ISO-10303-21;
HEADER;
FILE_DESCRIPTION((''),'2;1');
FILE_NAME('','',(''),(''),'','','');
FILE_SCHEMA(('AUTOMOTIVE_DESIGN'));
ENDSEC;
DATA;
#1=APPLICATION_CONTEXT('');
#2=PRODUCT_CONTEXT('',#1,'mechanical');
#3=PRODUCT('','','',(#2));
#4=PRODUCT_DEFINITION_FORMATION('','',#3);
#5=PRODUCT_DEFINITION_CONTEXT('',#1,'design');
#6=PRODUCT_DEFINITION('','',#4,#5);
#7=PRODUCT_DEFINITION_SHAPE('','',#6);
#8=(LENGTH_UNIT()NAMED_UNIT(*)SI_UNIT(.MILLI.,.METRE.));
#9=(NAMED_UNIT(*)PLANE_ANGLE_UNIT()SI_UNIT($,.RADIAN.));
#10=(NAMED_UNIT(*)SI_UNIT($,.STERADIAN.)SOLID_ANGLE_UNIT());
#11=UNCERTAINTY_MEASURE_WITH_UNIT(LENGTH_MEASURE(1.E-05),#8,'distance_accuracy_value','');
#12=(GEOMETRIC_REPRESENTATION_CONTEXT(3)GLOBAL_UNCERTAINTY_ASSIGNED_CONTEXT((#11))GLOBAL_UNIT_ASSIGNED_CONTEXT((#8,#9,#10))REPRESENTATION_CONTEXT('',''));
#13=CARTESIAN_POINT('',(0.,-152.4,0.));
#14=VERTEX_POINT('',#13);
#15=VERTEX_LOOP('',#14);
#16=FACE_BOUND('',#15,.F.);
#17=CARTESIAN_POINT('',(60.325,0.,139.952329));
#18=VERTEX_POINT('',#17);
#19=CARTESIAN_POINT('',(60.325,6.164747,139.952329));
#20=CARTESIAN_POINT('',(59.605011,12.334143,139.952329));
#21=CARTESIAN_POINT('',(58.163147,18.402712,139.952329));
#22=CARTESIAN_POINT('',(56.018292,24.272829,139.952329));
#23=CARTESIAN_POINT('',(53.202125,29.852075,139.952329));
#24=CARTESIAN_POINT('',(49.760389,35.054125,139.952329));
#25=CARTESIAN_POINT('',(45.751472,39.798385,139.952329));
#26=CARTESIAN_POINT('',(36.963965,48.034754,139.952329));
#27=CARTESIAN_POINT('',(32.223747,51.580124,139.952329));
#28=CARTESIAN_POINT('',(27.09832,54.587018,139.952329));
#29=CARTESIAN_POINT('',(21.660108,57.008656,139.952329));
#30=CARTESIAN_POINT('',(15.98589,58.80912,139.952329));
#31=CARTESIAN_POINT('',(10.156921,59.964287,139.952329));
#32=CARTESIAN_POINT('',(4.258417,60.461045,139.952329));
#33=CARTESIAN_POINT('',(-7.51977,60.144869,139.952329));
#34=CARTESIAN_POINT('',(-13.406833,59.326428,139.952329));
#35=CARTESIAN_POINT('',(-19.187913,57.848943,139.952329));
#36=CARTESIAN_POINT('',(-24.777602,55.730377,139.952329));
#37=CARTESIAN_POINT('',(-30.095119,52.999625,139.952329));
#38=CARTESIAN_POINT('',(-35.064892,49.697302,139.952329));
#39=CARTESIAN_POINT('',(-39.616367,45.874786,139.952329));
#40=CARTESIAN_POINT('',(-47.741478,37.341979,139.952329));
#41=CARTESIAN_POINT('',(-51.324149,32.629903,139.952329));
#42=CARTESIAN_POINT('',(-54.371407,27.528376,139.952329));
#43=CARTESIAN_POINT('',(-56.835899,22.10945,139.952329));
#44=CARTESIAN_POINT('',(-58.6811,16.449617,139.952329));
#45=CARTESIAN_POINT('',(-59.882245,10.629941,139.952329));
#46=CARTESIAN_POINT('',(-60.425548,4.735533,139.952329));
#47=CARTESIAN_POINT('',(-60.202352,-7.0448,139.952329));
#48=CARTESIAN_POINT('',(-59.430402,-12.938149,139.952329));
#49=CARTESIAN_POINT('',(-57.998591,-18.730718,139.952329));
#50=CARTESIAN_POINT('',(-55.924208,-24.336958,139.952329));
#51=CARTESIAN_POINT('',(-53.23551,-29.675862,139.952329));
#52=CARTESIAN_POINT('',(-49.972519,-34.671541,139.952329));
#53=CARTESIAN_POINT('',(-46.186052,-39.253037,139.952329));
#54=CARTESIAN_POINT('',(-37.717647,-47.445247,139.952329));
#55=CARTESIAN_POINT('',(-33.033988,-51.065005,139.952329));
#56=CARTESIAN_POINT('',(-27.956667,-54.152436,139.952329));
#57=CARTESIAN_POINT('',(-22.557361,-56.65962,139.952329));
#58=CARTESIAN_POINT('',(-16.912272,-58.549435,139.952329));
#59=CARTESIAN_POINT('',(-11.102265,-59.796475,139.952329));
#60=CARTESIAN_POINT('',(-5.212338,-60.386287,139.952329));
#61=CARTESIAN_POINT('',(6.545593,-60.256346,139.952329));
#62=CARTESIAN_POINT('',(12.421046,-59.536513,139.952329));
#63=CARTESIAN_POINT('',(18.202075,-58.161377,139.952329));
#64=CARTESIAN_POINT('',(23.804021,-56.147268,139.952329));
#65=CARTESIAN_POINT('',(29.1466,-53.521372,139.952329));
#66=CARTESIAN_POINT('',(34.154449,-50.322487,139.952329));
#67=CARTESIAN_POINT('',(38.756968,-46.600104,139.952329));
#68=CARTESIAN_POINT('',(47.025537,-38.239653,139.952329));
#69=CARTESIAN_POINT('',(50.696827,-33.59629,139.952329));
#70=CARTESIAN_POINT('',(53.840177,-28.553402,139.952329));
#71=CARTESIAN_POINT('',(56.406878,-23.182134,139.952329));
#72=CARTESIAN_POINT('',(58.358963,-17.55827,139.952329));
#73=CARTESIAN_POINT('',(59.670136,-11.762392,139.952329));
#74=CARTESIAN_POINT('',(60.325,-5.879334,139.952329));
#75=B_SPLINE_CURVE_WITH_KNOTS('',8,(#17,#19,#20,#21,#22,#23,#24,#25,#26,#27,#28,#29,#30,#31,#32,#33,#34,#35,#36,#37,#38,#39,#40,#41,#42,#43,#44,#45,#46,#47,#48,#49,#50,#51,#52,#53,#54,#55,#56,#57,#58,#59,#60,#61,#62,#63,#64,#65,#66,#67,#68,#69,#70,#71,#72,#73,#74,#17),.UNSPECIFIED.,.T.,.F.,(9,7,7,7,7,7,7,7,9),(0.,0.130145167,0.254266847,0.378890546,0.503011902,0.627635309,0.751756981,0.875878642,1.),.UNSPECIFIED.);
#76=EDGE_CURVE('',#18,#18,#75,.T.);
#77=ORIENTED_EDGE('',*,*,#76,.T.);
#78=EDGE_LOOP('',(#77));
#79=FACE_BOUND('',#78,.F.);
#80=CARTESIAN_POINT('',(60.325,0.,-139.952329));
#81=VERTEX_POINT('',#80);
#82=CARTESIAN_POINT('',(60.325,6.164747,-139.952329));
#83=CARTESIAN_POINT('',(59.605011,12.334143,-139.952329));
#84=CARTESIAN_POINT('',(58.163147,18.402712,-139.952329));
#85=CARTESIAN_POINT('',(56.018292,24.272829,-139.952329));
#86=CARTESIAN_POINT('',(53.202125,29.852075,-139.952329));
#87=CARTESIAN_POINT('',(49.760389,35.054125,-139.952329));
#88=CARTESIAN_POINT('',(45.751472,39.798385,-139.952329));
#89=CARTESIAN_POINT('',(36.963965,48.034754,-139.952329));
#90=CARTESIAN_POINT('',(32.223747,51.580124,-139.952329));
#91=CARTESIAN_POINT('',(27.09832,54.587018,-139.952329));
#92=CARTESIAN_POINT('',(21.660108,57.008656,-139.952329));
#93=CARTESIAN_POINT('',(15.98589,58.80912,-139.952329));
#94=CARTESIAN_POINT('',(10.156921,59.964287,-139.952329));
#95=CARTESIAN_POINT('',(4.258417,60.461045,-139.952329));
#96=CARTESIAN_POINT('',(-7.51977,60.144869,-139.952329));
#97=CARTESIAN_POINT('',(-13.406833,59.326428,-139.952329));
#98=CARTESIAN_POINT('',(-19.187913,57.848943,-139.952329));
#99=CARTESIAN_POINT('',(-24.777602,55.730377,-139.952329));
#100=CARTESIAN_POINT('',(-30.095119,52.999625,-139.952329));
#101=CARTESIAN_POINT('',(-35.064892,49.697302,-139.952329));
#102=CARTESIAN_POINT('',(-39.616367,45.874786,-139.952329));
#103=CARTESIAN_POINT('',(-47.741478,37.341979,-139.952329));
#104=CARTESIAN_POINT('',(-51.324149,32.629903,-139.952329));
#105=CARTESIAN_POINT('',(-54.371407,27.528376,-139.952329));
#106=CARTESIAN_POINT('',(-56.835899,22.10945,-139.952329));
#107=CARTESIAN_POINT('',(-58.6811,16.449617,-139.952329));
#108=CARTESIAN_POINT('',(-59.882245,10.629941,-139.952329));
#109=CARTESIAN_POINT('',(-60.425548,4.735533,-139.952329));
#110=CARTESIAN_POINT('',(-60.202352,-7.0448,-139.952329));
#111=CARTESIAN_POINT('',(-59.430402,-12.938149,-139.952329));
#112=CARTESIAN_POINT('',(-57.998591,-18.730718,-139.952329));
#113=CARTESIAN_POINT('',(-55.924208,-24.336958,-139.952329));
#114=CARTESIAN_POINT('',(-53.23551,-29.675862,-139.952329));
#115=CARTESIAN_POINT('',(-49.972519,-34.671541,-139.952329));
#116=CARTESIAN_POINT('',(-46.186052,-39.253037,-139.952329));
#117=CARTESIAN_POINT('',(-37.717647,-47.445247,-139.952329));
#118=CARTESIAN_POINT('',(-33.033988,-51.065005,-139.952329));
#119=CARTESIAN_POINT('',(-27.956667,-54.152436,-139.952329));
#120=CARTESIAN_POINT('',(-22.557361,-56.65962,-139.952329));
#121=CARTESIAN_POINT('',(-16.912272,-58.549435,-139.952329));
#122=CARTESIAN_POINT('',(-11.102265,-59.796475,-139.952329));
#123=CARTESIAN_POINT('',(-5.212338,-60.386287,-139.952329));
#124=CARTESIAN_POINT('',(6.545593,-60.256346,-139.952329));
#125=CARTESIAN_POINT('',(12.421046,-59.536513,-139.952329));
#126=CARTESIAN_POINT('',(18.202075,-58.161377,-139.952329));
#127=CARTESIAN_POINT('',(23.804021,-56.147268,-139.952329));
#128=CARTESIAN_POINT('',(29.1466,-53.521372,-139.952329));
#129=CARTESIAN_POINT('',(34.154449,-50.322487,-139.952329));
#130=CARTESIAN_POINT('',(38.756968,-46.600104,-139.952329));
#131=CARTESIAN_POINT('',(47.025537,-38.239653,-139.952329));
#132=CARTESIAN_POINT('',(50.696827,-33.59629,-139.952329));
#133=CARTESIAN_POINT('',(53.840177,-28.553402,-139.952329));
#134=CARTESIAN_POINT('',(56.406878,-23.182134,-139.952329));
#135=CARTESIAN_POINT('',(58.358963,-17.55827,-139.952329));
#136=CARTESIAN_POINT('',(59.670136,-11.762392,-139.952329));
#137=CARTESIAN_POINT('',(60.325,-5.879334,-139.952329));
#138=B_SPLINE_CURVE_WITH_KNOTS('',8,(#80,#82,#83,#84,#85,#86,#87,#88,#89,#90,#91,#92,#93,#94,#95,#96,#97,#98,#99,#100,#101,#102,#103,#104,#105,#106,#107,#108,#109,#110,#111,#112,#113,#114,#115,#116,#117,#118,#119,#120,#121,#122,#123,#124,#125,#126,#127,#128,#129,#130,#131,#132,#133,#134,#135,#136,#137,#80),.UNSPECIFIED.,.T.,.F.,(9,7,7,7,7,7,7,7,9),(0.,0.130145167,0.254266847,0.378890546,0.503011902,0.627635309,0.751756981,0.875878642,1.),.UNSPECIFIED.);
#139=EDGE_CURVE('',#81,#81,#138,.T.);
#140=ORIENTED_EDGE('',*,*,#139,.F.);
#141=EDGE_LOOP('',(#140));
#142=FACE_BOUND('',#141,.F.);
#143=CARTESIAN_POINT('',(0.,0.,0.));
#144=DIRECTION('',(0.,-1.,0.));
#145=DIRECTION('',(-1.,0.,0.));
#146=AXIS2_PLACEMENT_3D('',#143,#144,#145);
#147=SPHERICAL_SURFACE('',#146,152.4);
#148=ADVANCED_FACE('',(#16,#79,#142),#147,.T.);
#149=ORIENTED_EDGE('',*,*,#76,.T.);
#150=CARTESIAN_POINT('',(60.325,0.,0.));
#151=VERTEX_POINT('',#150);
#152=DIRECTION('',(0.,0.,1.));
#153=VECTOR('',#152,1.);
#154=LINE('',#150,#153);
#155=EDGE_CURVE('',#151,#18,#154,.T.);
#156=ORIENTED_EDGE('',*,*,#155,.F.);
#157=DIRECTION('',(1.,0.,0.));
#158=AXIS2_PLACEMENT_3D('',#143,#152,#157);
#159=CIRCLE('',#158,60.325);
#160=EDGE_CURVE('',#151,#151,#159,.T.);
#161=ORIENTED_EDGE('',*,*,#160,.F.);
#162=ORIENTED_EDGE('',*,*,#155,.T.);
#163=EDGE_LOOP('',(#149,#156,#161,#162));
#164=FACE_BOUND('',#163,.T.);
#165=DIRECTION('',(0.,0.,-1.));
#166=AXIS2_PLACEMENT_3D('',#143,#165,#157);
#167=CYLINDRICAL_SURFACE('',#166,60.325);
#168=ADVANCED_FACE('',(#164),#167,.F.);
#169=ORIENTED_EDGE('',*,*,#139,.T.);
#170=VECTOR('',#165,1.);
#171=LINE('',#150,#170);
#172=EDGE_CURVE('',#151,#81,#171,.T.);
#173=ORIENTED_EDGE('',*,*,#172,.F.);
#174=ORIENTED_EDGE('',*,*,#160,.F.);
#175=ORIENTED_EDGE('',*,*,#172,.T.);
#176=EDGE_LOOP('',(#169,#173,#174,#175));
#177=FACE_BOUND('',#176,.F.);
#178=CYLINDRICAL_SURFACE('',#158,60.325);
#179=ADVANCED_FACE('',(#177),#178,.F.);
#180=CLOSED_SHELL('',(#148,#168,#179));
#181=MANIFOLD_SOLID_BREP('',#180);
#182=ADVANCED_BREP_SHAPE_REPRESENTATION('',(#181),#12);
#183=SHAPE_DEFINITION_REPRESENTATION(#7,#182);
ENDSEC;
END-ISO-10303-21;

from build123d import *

# Parameters (mm, degrees)
F0_R          = 60.325
F3_DEPTH      = 152.401
F3_DEPTH_BACK = 152.401


with BuildPart() as f2:
    # F1 (on Top) → F2 (revolve)
    with BuildSketch(Plane.XY):
        with BuildLine():
            Line((0, -152.4), (0, 152.4))
            ThreePointArc((0, 152.4), (-152.4, 0), (0, -152.4))
        make_face()
    revolve(axis=Axis((0, 96.117534, 0), (0, 1, 0)))

    # F0 (on Top) → F3 (cut, two sides)
    with BuildSketch(Plane.XY) as f3_sk:
        Circle(F0_R)
    extrude(amount=F3_DEPTH, mode=Mode.SUBTRACT)
    extrude(f3_sk.sketch, amount=-F3_DEPTH_BACK, mode=Mode.SUBTRACT)


solid = f2.part
